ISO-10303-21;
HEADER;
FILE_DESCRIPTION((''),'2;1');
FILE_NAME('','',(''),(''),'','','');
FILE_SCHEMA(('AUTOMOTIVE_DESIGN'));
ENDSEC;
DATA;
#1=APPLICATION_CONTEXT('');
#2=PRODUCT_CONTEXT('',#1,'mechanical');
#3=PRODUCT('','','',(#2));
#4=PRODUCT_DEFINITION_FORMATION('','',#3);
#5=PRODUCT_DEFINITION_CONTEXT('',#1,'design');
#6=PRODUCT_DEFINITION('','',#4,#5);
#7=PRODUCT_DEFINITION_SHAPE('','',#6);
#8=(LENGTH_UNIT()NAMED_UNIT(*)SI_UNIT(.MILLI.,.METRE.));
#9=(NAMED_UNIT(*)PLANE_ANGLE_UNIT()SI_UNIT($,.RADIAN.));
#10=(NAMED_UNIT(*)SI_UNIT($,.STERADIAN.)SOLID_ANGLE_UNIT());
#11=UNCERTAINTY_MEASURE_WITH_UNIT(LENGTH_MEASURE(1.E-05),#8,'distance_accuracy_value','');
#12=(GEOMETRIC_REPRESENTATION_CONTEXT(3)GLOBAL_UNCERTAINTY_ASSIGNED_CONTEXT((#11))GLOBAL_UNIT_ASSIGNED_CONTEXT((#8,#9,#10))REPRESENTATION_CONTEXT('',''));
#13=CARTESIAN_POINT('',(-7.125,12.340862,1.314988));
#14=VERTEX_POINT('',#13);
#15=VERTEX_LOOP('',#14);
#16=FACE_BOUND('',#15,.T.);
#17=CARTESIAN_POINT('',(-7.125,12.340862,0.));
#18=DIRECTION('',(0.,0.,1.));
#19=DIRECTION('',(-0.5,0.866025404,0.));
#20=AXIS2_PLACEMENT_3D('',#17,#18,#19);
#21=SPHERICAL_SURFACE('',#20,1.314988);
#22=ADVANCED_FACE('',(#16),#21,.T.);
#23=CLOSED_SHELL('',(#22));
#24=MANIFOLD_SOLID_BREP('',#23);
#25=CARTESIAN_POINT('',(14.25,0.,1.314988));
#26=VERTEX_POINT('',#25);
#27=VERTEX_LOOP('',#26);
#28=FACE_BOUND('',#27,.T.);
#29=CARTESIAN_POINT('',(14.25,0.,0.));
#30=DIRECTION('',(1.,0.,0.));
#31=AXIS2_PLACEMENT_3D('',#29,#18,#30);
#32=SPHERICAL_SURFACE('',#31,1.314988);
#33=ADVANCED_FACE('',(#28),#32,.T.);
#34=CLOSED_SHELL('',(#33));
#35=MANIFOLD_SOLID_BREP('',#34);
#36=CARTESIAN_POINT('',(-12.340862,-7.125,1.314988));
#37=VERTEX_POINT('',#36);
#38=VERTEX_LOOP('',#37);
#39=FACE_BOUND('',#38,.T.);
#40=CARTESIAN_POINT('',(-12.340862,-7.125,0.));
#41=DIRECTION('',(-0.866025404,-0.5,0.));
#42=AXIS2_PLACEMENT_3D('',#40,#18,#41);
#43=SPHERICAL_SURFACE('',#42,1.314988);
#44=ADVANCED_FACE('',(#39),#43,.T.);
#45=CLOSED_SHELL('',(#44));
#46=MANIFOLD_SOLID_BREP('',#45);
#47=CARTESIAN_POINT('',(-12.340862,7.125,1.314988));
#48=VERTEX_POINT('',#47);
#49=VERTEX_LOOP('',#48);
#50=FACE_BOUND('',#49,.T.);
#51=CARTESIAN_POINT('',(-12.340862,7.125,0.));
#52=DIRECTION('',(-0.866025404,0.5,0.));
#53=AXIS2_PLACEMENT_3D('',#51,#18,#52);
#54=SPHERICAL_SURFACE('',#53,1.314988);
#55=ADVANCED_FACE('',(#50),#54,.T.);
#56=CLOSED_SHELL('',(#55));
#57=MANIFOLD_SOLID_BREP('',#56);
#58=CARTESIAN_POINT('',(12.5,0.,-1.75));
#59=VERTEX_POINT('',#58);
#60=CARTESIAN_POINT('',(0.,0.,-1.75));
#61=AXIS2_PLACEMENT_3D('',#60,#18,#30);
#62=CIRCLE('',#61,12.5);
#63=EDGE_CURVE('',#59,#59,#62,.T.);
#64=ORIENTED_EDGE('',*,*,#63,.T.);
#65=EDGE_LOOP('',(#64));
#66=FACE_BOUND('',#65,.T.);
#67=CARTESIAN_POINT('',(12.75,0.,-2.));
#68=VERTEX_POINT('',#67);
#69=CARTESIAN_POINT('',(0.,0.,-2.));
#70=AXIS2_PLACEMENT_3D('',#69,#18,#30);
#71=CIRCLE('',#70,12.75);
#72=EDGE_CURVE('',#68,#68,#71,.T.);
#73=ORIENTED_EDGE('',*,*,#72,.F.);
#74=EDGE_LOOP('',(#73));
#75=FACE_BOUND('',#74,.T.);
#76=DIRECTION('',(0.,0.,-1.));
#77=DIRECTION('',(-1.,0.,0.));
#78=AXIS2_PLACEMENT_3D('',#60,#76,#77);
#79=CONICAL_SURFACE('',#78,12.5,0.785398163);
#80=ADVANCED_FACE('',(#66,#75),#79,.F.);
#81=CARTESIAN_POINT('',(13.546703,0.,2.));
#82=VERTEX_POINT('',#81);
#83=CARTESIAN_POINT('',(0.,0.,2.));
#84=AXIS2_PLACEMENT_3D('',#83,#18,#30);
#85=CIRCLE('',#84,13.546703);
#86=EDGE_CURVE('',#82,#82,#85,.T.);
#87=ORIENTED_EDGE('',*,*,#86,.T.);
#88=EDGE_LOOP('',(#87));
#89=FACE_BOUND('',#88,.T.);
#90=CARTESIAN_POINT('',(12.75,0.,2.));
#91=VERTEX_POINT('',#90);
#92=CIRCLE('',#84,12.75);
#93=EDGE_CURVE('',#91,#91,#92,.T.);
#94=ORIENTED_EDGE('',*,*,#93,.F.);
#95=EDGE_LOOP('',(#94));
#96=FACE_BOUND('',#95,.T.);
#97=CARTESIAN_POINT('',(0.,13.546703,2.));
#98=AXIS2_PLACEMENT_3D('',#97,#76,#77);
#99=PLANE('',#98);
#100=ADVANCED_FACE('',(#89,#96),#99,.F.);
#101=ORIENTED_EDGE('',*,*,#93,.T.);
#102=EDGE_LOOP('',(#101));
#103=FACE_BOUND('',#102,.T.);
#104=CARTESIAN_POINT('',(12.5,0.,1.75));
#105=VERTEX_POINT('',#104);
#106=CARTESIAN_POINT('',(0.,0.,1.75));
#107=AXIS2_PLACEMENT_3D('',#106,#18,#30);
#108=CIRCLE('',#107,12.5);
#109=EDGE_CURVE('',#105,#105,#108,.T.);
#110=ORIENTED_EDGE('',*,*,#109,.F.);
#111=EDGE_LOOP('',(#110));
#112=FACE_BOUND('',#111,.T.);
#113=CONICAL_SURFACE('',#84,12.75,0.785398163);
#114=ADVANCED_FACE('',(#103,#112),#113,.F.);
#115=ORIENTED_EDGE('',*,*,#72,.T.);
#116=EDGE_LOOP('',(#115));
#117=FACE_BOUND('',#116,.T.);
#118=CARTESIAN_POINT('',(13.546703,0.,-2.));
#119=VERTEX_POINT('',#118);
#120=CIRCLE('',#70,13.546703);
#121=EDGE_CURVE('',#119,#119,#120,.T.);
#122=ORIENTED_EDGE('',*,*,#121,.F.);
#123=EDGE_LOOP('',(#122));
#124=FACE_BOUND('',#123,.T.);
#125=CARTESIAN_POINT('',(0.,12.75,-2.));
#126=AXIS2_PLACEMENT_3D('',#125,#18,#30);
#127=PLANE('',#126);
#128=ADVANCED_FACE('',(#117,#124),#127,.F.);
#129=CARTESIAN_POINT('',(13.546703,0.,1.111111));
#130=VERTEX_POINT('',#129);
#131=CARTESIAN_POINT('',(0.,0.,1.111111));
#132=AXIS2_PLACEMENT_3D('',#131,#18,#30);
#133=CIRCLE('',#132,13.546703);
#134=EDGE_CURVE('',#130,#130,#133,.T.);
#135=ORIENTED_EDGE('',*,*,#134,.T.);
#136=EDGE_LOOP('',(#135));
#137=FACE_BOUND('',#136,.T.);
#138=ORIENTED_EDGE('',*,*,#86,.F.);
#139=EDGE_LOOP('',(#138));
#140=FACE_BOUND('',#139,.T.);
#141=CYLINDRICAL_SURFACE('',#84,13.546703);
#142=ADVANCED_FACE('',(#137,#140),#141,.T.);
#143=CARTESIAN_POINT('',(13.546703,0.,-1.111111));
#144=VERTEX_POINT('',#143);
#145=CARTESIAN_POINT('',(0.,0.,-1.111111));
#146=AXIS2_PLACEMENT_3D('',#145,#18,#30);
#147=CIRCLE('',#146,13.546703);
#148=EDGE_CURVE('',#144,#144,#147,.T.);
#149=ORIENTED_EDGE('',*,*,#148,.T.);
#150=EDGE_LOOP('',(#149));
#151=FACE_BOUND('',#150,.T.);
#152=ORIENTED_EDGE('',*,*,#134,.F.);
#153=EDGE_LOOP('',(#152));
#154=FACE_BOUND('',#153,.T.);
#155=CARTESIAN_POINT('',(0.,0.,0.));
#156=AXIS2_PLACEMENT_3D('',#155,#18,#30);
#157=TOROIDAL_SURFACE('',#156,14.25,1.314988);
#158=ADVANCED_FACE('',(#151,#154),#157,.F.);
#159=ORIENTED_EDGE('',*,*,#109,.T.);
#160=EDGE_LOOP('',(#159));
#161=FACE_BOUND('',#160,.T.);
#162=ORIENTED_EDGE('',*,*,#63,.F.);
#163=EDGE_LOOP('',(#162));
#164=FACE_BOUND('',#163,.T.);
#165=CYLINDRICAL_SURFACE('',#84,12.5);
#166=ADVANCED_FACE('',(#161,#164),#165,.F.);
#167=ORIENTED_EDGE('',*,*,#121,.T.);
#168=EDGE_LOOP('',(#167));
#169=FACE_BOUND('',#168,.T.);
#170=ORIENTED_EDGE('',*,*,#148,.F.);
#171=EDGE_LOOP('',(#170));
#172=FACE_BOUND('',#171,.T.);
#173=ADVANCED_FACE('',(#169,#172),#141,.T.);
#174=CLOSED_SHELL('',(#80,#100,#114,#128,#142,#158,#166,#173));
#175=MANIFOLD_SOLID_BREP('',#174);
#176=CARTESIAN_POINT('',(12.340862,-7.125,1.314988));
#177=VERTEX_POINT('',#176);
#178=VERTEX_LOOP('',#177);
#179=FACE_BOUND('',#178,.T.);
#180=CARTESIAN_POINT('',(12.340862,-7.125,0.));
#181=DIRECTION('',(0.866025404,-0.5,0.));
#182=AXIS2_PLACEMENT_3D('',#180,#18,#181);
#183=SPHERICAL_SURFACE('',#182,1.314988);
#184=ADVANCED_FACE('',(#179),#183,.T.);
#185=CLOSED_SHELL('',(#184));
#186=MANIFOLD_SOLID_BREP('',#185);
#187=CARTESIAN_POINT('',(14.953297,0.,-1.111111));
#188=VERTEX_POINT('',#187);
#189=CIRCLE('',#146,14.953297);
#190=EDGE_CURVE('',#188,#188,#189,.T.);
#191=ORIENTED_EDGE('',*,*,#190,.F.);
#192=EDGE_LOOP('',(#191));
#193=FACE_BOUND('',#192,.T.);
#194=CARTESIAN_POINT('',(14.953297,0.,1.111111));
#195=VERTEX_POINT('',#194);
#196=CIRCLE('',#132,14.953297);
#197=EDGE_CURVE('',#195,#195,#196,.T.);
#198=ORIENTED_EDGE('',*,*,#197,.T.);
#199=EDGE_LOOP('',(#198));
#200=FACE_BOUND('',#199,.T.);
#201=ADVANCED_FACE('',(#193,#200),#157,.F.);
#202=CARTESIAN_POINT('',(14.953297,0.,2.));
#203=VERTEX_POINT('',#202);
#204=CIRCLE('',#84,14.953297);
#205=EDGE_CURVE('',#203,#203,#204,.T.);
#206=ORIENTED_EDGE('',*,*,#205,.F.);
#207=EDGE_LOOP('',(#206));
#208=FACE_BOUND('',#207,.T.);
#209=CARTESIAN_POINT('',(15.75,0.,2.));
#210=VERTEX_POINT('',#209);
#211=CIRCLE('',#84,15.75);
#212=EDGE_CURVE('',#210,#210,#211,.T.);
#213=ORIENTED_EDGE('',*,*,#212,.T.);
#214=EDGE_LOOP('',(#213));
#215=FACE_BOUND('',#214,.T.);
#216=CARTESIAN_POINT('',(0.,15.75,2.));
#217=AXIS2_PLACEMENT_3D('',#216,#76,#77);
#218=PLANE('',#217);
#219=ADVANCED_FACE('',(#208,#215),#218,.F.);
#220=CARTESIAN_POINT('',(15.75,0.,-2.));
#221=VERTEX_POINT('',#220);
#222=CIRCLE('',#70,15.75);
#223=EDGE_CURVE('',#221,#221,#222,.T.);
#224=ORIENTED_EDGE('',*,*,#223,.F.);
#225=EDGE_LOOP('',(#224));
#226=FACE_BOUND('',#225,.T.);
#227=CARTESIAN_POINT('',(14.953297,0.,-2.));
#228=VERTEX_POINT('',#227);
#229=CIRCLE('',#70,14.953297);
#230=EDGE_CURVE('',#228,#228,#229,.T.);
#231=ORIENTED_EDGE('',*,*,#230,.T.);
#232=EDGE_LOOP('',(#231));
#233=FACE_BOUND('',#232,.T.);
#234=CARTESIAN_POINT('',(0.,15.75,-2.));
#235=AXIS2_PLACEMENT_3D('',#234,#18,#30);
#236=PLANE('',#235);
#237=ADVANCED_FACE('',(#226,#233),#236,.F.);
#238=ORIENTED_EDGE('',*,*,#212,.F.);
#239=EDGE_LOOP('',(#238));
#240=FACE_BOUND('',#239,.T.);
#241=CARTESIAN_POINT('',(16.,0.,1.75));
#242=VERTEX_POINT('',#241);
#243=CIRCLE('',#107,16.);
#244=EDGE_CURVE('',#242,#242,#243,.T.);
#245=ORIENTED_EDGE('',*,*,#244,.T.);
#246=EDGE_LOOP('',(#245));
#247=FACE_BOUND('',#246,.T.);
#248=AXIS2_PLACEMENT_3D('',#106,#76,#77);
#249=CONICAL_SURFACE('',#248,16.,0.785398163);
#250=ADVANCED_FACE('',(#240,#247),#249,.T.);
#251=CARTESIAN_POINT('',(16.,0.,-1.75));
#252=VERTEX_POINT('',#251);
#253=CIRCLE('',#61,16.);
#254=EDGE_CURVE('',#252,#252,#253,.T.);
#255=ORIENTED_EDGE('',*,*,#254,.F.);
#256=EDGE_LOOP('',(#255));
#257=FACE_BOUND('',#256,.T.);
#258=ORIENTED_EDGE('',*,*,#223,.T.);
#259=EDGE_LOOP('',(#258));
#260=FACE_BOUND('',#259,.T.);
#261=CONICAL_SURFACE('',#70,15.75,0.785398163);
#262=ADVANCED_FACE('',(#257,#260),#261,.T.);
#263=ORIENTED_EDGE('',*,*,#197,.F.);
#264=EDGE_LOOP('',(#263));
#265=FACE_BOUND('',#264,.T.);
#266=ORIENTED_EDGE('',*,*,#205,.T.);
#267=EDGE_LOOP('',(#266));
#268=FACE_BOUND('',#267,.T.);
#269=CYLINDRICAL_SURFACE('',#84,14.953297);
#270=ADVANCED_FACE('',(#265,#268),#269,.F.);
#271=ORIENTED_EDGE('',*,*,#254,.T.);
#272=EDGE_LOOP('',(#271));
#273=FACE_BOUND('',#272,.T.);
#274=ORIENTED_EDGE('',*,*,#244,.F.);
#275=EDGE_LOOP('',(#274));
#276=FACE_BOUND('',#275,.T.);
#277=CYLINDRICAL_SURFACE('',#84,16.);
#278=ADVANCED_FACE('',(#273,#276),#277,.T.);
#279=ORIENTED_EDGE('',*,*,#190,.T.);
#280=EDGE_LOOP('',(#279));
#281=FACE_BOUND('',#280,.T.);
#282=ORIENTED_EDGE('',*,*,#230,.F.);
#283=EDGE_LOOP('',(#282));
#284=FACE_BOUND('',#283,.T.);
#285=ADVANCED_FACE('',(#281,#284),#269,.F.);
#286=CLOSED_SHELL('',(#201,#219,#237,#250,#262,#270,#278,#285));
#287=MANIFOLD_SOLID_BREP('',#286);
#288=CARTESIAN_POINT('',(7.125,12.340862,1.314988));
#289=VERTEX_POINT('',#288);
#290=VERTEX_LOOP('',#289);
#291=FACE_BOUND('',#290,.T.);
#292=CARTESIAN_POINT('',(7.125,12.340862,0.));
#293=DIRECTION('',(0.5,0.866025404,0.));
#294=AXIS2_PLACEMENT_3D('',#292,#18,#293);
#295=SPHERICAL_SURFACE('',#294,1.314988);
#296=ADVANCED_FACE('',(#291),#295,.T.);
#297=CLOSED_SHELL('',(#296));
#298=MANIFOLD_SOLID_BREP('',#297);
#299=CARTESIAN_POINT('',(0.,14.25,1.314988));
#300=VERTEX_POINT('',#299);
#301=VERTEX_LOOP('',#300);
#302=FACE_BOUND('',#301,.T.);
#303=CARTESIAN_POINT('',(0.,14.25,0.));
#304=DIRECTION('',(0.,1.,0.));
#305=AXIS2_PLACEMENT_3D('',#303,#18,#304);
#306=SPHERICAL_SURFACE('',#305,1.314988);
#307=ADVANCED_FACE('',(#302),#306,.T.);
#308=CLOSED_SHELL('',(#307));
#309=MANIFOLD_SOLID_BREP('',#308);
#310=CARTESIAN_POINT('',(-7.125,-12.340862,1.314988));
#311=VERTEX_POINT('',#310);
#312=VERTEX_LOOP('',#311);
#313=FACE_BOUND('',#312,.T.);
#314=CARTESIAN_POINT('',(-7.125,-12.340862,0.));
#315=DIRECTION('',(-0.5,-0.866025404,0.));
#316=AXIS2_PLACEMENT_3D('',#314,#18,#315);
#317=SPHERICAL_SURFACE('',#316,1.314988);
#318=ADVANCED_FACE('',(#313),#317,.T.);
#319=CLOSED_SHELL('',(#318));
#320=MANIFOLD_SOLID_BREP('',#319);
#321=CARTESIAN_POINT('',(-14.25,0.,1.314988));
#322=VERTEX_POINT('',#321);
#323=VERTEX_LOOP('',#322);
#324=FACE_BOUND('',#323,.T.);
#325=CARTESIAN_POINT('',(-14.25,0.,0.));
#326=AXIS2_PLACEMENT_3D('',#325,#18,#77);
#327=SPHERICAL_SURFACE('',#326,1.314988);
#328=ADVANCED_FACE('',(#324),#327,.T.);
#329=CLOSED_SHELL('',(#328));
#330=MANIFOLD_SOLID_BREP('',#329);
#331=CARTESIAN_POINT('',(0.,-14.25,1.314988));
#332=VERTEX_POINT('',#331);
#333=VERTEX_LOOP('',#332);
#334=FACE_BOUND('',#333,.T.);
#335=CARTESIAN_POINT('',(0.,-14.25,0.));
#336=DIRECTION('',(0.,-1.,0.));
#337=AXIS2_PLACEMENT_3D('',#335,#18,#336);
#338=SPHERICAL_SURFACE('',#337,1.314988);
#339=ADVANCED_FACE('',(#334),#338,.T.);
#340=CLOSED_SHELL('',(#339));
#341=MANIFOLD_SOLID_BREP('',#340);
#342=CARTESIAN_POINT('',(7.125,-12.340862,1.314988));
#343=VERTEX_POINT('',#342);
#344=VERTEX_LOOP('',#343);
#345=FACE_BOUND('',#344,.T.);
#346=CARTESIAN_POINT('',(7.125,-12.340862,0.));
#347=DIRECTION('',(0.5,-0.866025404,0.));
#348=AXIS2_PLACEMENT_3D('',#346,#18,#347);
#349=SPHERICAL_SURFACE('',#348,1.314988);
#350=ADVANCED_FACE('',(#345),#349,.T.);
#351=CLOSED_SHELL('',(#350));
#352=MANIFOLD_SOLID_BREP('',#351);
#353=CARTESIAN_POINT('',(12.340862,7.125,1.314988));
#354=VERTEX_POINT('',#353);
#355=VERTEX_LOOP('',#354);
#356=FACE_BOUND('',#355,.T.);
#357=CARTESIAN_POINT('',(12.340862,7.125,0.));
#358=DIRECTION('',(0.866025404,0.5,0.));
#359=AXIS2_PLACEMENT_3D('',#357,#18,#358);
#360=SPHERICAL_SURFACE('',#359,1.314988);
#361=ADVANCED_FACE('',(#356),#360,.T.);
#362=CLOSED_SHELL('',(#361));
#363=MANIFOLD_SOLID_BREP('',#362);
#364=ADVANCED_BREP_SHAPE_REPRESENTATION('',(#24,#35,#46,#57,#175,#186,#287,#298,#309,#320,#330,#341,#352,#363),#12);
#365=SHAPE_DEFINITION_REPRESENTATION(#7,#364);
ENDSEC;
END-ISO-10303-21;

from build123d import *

# Parameters (mm, degrees)
CIRPATTERN1_COUNT = 12


with BuildPart() as part:
    # Sketch1 → Revolve1 (revolve)
    with BuildSketch(Plane(origin=(0, 0, 0), x_dir=(0, 0, -1), z_dir=(1, 0, 0))):
        with BuildLine():
            Line((1.75, 16), (-1.75, 16))
            Line((-1.75, 16), (-2, 15.75))
            Line((-2, 15.75), (-2, 14.953296703))
            Line((-2, 14.953296703), (-1.111111111, 14.953296703))
            ThreePointArc((-1.111111111, 14.953296703), (0, 15.564988271), (1.111111111, 14.953296703))
            Line((1.111111111, 14.953296703), (2, 14.953296703))
            Line((2, 14.953296703), (2, 15.75))
            Line((2, 15.75), (1.75, 16))
        make_face()
    revolve(axis=Axis((0, 0, 2), (0, 0, -1)))


with BuildPart() as body_2:
    # Sketch3 → Revolve3 (revolve)
    with BuildSketch(Plane(origin=(0, 0, 0), x_dir=(0, 0, -1), z_dir=(1, 0, 0))):
        with BuildLine():
            Line((-2, 13.546703297), (-1.111111111, 13.546703297))
            ThreePointArc((-1.111111111, 13.546703297), (0, 12.935011729), (1.111111111, 13.546703297))
            Line((1.111111111, 13.546703297), (2, 13.546703297))
            Line((2, 13.546703297), (2, 12.75))
            Line((2, 12.75), (1.75, 12.5))
            Line((1.75, 12.5), (-1.75, 12.5))
            Line((-1.75, 12.5), (-2, 12.75))
            Line((-2, 12.75), (-2, 13.546703297))
        make_face()
    revolve(axis=Axis((0, 0, 2), (0, 0, -1)))


with BuildPart() as body_3:
    # Sketch4 → Revolve4 (revolve)
    with BuildSketch(Plane(origin=(0, 0, 0), x_dir=(0, 0, -1), z_dir=(1, 0, 0))):
        with BuildLine():
            Line((-1.314988271, 14.25), (1.314988271, 14.25))
            ThreePointArc((1.314988271, 14.25), (0, 15.564988271), (-1.314988271, 14.25))
        make_face()
    revolve(axis=Axis((0, 14.25, 1.314988271), (0, 0, -1)))


with BuildPart() as cirpattern1_1:
    # CirPattern1: pattern copy
    add(body_3.part.rotate(Axis((0, 0, -2), (0, 0, 1)), 1 * 360 / CIRPATTERN1_COUNT))


with BuildPart() as cirpattern1_2:
    # CirPattern1: pattern copy
    add(body_3.part.rotate(Axis((0, 0, -2), (0, 0, 1)), 2 * 360 / CIRPATTERN1_COUNT))


with BuildPart() as cirpattern1_3:
    # CirPattern1: pattern copy
    add(body_3.part.rotate(Axis((0, 0, -2), (0, 0, 1)), 3 * 360 / CIRPATTERN1_COUNT))


with BuildPart() as cirpattern1_4:
    # CirPattern1: pattern copy
    add(body_3.part.rotate(Axis((0, 0, -2), (0, 0, 1)), 4 * 360 / CIRPATTERN1_COUNT))


with BuildPart() as cirpattern1_5:
    # CirPattern1: pattern copy
    add(body_3.part.rotate(Axis((0, 0, -2), (0, 0, 1)), 5 * 360 / CIRPATTERN1_COUNT))


with BuildPart() as cirpattern1_6:
    # CirPattern1: pattern copy
    add(body_3.part.rotate(Axis((0, 0, -2), (0, 0, 1)), 6 * 360 / CIRPATTERN1_COUNT))


with BuildPart() as cirpattern1_7:
    # CirPattern1: pattern copy
    add(body_3.part.rotate(Axis((0, 0, -2), (0, 0, 1)), 7 * 360 / CIRPATTERN1_COUNT))


with BuildPart() as cirpattern1_8:
    # CirPattern1: pattern copy
    add(body_3.part.rotate(Axis((0, 0, -2), (0, 0, 1)), 8 * 360 / CIRPATTERN1_COUNT))


with BuildPart() as cirpattern1_9:
    # CirPattern1: pattern copy
    add(body_3.part.rotate(Axis((0, 0, -2), (0, 0, 1)), 9 * 360 / CIRPATTERN1_COUNT))


with BuildPart() as cirpattern1_10:
    # CirPattern1: pattern copy
    add(body_3.part.rotate(Axis((0, 0, -2), (0, 0, 1)), 10 * 360 / CIRPATTERN1_COUNT))


with BuildPart() as cirpattern1_11:
    # CirPattern1: pattern copy
    add(body_3.part.rotate(Axis((0, 0, -2), (0, 0, 1)), 11 * 360 / CIRPATTERN1_COUNT))


solid = Compound([part.part, body_2.part, body_3.part, cirpattern1_1.part, cirpattern1_2.part, cirpattern1_3.part, cirpattern1_4.part, cirpattern1_5.part, cirpattern1_6.part, cirpattern1_7.part, cirpattern1_8.part, cirpattern1_9.part, cirpattern1_10.part, cirpattern1_11.part])
